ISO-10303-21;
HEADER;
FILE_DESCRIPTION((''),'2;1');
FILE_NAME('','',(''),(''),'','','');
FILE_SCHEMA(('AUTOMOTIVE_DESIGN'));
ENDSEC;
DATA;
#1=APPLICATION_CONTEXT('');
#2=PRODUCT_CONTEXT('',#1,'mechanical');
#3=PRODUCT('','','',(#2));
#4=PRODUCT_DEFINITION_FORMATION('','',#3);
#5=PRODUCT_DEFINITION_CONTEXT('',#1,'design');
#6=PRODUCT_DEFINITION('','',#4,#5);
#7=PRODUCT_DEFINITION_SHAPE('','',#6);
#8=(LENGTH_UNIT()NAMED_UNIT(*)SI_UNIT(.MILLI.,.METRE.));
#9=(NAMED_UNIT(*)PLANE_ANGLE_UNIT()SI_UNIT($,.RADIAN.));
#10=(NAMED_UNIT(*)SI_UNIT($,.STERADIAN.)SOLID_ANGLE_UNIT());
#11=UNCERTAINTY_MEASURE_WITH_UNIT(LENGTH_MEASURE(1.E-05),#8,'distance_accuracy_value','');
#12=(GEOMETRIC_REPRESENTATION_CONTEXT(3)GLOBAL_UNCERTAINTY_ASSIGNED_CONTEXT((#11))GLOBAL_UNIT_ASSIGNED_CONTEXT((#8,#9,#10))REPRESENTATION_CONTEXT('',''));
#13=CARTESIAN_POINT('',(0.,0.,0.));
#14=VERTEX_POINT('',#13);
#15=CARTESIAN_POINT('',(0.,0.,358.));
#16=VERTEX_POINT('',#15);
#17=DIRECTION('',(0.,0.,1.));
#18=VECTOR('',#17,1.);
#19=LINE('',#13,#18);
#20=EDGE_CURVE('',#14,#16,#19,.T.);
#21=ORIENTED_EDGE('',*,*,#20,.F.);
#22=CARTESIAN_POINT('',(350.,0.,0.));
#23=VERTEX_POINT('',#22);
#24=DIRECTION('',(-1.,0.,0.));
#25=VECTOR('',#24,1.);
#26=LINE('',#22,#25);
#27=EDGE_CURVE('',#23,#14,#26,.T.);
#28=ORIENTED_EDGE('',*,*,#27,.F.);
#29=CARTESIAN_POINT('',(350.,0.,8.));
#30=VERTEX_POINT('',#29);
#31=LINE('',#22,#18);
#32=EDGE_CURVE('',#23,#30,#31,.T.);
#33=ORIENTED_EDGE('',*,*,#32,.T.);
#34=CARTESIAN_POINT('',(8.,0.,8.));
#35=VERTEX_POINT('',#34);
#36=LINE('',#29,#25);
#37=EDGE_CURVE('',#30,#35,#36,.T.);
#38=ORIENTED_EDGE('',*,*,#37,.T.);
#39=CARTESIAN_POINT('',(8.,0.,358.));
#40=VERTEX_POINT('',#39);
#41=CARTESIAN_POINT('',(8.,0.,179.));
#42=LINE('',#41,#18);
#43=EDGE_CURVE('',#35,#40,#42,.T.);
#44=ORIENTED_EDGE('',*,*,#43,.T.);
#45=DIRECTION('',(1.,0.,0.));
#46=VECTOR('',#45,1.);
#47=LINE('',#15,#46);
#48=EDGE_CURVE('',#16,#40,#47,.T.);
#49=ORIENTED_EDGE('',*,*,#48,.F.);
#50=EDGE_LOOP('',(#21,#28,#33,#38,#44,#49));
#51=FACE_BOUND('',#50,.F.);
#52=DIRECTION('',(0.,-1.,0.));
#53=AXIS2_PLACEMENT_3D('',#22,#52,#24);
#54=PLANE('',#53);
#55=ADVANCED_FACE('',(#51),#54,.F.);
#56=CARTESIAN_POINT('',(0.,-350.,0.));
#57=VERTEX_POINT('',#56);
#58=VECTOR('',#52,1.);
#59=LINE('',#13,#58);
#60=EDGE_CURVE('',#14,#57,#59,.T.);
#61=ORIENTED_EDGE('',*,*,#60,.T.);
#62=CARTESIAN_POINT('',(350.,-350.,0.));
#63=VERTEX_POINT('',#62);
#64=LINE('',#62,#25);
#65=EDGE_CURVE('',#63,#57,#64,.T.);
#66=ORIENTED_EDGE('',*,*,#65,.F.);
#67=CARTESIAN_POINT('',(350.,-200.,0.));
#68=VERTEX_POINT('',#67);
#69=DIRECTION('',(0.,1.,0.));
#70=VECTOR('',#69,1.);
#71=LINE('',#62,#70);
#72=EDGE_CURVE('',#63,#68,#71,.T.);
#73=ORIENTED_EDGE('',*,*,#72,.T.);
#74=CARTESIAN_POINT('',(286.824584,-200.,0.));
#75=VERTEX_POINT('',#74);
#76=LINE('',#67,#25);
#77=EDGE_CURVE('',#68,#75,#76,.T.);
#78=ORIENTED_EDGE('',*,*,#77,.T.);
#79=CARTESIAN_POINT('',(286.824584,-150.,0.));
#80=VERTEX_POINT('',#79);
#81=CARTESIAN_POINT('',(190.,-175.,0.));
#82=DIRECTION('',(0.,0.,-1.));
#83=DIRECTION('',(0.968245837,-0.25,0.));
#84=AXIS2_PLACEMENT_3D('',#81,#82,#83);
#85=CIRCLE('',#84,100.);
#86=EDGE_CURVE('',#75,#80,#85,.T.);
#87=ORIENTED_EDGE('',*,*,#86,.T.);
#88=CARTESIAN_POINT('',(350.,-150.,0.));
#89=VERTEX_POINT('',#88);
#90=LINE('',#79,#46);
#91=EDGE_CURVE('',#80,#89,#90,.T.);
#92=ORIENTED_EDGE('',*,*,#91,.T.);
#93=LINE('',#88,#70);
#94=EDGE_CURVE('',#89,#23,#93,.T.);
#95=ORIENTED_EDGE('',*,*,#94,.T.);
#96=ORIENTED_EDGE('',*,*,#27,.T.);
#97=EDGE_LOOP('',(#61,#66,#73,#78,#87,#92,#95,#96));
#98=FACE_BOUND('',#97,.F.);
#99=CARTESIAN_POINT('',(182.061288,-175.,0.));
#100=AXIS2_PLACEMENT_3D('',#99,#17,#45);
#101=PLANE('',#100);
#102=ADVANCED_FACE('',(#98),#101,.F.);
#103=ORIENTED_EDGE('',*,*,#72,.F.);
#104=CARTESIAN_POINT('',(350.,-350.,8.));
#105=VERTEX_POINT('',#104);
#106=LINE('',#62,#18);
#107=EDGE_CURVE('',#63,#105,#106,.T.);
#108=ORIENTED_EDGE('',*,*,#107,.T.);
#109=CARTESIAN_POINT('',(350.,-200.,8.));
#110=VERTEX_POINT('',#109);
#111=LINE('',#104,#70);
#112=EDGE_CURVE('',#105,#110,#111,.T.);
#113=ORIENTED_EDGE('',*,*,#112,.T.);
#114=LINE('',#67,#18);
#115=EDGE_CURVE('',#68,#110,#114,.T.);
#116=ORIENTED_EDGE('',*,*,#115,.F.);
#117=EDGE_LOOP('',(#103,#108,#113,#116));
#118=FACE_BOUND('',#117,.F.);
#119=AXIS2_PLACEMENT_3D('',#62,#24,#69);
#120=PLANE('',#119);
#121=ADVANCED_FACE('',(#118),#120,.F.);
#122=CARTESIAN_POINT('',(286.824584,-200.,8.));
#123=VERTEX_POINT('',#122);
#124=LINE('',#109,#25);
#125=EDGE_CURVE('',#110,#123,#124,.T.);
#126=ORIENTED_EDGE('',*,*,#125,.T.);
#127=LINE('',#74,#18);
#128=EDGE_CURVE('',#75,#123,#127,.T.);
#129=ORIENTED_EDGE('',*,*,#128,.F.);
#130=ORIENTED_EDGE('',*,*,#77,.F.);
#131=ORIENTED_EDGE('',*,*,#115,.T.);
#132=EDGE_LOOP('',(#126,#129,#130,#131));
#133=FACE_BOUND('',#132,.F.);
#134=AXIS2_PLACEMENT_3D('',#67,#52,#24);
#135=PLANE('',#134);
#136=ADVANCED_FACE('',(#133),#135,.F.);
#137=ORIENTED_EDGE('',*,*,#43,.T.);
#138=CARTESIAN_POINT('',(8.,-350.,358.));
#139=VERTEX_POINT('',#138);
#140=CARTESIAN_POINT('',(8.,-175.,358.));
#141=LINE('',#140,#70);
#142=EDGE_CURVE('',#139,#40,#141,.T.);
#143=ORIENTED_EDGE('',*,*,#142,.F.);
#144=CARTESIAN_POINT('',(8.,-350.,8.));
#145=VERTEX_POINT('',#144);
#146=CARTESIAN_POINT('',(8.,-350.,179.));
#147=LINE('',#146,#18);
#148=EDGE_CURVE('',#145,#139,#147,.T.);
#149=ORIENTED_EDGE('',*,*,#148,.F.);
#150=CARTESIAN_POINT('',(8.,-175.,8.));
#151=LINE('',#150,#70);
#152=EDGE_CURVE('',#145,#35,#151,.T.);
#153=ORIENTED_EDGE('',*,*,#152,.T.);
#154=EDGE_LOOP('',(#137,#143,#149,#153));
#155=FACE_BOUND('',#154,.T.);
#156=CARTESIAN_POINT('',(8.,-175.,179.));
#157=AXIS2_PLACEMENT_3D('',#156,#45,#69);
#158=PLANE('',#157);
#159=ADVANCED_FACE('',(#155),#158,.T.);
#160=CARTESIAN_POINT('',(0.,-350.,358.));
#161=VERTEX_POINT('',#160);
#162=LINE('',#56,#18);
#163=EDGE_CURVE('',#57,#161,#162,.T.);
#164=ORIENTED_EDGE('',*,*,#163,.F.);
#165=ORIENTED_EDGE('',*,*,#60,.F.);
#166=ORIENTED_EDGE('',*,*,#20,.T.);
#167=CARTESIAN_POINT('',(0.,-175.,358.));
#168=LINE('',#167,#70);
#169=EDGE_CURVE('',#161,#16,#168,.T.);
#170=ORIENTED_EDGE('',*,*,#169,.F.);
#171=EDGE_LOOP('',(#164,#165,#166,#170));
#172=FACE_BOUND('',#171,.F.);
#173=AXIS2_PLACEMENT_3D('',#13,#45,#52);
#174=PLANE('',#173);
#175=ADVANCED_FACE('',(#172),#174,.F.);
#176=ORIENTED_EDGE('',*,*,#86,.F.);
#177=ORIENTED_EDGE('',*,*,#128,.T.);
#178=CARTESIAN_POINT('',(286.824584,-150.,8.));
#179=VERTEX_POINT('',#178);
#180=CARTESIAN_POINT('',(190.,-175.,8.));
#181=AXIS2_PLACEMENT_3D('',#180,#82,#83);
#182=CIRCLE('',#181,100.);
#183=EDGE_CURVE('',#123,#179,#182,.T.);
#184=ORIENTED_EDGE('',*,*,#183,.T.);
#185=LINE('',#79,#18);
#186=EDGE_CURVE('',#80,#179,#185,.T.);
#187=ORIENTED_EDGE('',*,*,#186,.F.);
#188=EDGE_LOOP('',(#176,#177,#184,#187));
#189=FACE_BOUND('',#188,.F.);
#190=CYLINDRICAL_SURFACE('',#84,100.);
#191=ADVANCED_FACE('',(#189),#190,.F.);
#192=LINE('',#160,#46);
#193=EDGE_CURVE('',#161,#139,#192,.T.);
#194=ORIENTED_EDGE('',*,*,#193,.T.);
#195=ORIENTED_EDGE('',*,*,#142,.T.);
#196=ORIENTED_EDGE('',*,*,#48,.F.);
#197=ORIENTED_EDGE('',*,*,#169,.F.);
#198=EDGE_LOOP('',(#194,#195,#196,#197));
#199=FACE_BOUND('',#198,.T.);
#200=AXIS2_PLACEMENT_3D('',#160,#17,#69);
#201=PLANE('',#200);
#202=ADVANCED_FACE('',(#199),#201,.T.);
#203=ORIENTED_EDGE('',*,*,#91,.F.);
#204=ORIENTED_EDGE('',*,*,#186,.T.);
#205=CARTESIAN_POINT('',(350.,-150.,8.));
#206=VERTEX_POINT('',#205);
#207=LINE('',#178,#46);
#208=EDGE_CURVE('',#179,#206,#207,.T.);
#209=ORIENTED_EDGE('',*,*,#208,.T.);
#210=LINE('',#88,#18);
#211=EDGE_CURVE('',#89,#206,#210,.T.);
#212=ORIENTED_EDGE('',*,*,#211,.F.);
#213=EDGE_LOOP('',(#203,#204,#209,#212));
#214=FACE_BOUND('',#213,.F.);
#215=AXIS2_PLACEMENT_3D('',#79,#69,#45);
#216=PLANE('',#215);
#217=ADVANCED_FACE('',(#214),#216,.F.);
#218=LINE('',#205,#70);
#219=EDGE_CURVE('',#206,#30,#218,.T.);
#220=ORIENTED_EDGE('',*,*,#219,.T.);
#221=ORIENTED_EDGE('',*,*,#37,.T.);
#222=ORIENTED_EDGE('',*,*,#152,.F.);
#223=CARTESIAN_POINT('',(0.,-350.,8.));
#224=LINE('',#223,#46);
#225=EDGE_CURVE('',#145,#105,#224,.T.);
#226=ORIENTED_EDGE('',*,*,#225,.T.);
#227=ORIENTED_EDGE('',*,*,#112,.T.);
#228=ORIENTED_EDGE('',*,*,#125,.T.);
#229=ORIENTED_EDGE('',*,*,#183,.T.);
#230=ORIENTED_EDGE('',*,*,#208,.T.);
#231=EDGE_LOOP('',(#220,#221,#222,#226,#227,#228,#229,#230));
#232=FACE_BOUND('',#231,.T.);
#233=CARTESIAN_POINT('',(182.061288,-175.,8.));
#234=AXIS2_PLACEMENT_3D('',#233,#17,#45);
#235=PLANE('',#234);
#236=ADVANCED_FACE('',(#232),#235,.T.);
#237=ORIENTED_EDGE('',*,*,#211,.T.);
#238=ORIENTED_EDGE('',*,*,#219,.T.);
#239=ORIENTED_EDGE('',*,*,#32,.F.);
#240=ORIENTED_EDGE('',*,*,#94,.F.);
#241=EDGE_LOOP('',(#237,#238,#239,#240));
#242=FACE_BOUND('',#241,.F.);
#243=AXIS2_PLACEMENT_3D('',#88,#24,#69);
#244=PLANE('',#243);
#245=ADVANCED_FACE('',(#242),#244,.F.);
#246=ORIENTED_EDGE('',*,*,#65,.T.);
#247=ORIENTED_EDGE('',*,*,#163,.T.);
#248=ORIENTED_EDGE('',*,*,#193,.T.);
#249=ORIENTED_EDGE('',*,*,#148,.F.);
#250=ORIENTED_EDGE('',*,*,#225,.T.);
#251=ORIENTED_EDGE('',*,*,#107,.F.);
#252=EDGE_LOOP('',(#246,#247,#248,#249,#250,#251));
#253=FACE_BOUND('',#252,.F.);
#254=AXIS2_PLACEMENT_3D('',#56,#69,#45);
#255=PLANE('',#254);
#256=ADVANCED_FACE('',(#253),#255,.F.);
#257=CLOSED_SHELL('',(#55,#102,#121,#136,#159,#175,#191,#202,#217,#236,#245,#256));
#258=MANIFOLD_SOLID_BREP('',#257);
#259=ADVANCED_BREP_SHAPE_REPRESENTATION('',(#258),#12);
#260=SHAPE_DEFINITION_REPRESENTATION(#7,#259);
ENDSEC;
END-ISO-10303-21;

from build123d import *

# Parameters (mm, degrees)
F1_DEPTH = 8
F2_W     = 350
F2_H     = 358
F3_DEPTH = 8


with BuildPart() as f1:
    # F0 (on Top) → F1 (new body)
    with BuildSketch(Plane.XY):
        with BuildLine():
            Line((350, 0), (0, 0))
            Line((0, 0), (0, -350))
            Line((0, -350), (350, -350))
            Line((350, -350), (350, -200))
            Line((350, -200), (300, -200))
            Line((300, -200), (286.824584, -200))
            ThreePointArc((286.824584, -200), (90, -175), (286.824584, -150))
            Line((286.824584, -150), (300, -150))
            Line((300, -150), (350, -150))
            Line((350, -150), (350, 0))
        make_face()
    extrude(amount=F1_DEPTH)

    # F2 (on Right) → F3 (join)
    with BuildSketch(Plane.YZ):
        with Locations((-175, 179)):
            Rectangle(F2_W, F2_H)
    extrude(amount=F3_DEPTH)


solid = f1.part
